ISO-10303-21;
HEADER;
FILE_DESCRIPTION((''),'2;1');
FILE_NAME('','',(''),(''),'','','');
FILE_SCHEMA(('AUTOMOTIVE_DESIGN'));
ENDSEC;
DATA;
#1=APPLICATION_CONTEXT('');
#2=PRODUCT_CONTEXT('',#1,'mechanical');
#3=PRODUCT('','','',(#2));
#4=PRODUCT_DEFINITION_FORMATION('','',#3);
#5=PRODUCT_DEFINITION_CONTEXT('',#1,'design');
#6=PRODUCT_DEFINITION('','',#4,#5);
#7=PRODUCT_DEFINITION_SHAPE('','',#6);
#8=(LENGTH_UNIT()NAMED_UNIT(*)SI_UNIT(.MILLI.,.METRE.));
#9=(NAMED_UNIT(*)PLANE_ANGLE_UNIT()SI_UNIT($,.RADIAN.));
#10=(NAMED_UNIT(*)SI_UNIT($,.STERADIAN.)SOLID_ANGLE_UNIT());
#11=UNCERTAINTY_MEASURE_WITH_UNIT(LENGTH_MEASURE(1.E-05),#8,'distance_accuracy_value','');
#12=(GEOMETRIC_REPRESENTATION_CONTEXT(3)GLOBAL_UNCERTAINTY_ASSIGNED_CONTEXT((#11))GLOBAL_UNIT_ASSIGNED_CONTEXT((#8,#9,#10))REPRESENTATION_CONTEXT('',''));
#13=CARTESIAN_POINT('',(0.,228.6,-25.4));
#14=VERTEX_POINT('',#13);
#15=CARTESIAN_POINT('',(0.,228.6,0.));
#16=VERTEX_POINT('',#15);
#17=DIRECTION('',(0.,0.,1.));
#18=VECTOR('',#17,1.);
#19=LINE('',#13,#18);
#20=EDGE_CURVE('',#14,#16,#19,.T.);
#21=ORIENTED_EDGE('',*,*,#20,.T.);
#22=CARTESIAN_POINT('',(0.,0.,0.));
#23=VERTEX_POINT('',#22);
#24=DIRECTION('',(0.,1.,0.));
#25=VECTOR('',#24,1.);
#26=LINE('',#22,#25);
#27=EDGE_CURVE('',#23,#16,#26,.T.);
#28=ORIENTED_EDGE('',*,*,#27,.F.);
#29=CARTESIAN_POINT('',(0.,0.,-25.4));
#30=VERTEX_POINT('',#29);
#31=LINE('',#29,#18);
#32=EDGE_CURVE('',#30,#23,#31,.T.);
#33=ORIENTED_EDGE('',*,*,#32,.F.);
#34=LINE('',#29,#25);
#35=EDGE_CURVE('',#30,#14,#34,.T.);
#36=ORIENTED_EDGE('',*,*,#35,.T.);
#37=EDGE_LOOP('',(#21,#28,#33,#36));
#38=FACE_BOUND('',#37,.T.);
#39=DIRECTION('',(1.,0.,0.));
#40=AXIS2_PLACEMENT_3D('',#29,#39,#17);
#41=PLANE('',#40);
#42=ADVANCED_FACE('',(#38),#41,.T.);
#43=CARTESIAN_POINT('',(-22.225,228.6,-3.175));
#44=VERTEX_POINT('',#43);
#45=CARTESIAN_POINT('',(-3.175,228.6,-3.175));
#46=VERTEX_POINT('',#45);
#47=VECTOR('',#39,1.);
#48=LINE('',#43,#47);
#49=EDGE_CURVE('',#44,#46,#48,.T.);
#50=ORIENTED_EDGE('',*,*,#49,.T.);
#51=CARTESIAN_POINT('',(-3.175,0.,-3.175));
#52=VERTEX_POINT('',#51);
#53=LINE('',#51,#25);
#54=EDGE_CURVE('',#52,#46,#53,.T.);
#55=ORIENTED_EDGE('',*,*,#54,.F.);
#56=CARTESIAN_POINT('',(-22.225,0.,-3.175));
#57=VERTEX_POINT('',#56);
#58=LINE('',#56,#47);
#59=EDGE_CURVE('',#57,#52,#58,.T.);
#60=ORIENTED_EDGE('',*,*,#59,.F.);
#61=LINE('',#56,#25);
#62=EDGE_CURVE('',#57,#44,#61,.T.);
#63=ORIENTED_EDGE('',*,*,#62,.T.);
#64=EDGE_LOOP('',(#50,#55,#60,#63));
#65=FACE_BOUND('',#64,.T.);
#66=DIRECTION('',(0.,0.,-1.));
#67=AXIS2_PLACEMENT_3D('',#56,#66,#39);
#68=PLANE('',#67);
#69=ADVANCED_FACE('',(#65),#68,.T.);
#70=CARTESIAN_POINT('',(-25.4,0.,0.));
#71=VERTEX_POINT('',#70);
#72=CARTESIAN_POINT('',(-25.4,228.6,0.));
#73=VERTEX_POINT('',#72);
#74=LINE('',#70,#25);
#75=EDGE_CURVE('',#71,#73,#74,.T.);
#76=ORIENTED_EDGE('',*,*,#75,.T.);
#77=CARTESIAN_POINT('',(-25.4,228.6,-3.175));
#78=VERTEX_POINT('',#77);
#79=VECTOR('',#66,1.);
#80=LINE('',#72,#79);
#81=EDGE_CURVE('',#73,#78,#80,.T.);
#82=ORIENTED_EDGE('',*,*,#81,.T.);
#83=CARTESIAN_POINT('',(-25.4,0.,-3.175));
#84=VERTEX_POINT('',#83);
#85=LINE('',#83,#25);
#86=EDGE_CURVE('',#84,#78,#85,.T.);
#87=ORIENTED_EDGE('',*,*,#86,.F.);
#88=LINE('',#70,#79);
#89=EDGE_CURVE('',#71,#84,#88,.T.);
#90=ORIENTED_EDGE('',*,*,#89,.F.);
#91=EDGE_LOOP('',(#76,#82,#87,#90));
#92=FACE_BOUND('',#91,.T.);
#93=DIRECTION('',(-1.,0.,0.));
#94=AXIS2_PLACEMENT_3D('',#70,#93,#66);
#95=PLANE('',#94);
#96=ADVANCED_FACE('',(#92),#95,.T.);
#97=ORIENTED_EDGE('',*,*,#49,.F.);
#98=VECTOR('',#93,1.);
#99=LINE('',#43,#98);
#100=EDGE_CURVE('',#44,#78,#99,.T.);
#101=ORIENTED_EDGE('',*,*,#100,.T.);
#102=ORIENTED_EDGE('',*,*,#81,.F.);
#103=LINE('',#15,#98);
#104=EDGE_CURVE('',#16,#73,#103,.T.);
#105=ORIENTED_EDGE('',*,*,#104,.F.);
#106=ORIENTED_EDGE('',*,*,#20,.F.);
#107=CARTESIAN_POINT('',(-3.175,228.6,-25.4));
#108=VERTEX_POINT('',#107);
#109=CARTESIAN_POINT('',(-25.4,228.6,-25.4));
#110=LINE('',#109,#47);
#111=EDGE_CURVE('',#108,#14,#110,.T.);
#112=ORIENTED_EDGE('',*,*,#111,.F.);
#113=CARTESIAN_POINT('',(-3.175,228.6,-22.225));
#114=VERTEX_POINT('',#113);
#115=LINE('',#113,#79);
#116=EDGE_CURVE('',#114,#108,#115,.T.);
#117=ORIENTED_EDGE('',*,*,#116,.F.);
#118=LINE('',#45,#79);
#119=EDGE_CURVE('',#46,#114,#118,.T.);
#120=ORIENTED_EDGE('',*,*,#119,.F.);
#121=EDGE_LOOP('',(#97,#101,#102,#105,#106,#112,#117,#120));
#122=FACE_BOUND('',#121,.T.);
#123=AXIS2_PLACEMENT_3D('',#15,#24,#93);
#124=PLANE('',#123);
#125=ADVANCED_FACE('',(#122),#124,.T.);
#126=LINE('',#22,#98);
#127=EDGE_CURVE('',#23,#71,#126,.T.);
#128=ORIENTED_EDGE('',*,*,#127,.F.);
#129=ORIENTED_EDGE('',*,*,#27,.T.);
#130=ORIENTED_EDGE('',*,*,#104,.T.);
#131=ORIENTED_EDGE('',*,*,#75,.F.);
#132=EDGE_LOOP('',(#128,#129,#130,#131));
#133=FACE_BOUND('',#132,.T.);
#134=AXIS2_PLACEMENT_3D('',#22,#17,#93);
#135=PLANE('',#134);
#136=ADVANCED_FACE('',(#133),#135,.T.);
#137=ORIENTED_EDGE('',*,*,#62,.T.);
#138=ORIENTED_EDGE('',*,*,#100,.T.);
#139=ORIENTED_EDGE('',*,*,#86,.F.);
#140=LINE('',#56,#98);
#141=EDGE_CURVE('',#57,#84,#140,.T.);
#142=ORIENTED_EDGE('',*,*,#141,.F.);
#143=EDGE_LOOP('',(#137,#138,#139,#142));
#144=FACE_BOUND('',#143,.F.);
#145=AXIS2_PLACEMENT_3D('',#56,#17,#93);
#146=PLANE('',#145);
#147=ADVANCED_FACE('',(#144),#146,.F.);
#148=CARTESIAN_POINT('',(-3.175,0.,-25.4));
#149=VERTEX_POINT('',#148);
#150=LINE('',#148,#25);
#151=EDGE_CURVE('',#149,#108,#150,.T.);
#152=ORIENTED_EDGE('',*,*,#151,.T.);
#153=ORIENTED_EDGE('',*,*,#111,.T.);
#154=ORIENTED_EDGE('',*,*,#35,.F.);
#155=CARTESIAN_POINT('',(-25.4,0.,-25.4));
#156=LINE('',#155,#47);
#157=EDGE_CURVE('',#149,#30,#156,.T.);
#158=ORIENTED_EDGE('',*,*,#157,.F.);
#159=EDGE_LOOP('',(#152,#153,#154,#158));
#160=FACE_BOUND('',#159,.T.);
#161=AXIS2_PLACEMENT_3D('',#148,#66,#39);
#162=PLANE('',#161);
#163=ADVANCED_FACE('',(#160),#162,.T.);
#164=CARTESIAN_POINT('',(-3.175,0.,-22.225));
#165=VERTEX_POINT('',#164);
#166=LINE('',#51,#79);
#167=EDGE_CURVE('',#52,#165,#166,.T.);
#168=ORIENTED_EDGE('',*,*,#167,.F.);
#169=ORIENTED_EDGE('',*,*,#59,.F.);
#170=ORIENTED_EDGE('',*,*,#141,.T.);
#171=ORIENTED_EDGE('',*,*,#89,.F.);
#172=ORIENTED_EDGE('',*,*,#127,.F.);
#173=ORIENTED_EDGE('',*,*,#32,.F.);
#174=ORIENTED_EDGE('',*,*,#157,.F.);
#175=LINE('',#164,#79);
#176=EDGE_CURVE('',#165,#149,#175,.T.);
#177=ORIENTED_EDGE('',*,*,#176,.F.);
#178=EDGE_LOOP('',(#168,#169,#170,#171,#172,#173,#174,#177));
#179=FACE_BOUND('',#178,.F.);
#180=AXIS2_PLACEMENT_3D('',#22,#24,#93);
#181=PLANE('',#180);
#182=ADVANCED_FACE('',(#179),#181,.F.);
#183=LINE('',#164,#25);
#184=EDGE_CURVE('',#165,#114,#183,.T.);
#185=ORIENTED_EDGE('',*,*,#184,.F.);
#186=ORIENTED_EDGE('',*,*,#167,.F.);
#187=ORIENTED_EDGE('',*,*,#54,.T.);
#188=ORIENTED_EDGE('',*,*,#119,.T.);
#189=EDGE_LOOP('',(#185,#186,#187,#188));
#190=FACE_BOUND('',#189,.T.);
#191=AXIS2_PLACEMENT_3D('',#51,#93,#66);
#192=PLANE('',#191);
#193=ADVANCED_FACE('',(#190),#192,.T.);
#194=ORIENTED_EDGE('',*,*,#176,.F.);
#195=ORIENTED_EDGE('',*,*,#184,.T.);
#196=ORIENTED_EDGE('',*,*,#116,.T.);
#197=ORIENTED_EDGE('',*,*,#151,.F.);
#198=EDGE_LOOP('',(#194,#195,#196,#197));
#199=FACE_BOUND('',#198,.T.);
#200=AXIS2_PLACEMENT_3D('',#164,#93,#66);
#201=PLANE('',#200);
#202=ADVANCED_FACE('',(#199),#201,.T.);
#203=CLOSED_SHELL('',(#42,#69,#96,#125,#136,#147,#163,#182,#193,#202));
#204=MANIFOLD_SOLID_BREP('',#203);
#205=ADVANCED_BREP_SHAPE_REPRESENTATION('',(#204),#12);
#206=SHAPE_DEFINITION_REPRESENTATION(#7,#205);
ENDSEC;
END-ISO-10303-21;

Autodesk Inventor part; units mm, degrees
ref_plane "YZ Plane" through (0, 0, 0) normal (1, 0, 0) x (0, 1, 0)
ref_plane "XZ Plane" through (0, 0, 0) normal (0, 1, 0) x (-1, 0, 0)
ref_plane "XY Plane" through (0, 0, 0) normal (0, 0, 1) x (1, 0, 0)
sketch "Sketch1" plane through (0, 0, 0) normal (0, 1, 0) x (-1, 0, 0)
  line L0 (0, 0) -> (25.4, 0)
  line L1 (25.4, 0) -> (25.4, -25.4)
  line L2 (25.4, -25.4) -> (0, -25.4)
  line L3 (0, -25.4) -> (0, 0)
  line L4 (22.225, -3.175) -> (3.175, -3.175)
  line L5 (3.175, -3.175) -> (3.175, -22.225)
  line L6 (3.175, -22.225) -> (22.225, -22.225)
  line L7 (22.225, -22.225) -> (22.225, -3.175)
  line L8 (22.225, -3.175) -> (25.4, -3.175)
  line L9 (3.175, -22.225) -> (3.175, -25.4)
  dimension "d0" = 25.4
  dimension "d1" = 25.4
  dimension "d2" = 3.175
extrude "Extrusion1" add sketch "Sketch1" along normal blind 228.6 contours L0 L1 L8 L4 L5 L9 L2 L3
properties part number "BumberGussetFront.ver1-1111-2020"
